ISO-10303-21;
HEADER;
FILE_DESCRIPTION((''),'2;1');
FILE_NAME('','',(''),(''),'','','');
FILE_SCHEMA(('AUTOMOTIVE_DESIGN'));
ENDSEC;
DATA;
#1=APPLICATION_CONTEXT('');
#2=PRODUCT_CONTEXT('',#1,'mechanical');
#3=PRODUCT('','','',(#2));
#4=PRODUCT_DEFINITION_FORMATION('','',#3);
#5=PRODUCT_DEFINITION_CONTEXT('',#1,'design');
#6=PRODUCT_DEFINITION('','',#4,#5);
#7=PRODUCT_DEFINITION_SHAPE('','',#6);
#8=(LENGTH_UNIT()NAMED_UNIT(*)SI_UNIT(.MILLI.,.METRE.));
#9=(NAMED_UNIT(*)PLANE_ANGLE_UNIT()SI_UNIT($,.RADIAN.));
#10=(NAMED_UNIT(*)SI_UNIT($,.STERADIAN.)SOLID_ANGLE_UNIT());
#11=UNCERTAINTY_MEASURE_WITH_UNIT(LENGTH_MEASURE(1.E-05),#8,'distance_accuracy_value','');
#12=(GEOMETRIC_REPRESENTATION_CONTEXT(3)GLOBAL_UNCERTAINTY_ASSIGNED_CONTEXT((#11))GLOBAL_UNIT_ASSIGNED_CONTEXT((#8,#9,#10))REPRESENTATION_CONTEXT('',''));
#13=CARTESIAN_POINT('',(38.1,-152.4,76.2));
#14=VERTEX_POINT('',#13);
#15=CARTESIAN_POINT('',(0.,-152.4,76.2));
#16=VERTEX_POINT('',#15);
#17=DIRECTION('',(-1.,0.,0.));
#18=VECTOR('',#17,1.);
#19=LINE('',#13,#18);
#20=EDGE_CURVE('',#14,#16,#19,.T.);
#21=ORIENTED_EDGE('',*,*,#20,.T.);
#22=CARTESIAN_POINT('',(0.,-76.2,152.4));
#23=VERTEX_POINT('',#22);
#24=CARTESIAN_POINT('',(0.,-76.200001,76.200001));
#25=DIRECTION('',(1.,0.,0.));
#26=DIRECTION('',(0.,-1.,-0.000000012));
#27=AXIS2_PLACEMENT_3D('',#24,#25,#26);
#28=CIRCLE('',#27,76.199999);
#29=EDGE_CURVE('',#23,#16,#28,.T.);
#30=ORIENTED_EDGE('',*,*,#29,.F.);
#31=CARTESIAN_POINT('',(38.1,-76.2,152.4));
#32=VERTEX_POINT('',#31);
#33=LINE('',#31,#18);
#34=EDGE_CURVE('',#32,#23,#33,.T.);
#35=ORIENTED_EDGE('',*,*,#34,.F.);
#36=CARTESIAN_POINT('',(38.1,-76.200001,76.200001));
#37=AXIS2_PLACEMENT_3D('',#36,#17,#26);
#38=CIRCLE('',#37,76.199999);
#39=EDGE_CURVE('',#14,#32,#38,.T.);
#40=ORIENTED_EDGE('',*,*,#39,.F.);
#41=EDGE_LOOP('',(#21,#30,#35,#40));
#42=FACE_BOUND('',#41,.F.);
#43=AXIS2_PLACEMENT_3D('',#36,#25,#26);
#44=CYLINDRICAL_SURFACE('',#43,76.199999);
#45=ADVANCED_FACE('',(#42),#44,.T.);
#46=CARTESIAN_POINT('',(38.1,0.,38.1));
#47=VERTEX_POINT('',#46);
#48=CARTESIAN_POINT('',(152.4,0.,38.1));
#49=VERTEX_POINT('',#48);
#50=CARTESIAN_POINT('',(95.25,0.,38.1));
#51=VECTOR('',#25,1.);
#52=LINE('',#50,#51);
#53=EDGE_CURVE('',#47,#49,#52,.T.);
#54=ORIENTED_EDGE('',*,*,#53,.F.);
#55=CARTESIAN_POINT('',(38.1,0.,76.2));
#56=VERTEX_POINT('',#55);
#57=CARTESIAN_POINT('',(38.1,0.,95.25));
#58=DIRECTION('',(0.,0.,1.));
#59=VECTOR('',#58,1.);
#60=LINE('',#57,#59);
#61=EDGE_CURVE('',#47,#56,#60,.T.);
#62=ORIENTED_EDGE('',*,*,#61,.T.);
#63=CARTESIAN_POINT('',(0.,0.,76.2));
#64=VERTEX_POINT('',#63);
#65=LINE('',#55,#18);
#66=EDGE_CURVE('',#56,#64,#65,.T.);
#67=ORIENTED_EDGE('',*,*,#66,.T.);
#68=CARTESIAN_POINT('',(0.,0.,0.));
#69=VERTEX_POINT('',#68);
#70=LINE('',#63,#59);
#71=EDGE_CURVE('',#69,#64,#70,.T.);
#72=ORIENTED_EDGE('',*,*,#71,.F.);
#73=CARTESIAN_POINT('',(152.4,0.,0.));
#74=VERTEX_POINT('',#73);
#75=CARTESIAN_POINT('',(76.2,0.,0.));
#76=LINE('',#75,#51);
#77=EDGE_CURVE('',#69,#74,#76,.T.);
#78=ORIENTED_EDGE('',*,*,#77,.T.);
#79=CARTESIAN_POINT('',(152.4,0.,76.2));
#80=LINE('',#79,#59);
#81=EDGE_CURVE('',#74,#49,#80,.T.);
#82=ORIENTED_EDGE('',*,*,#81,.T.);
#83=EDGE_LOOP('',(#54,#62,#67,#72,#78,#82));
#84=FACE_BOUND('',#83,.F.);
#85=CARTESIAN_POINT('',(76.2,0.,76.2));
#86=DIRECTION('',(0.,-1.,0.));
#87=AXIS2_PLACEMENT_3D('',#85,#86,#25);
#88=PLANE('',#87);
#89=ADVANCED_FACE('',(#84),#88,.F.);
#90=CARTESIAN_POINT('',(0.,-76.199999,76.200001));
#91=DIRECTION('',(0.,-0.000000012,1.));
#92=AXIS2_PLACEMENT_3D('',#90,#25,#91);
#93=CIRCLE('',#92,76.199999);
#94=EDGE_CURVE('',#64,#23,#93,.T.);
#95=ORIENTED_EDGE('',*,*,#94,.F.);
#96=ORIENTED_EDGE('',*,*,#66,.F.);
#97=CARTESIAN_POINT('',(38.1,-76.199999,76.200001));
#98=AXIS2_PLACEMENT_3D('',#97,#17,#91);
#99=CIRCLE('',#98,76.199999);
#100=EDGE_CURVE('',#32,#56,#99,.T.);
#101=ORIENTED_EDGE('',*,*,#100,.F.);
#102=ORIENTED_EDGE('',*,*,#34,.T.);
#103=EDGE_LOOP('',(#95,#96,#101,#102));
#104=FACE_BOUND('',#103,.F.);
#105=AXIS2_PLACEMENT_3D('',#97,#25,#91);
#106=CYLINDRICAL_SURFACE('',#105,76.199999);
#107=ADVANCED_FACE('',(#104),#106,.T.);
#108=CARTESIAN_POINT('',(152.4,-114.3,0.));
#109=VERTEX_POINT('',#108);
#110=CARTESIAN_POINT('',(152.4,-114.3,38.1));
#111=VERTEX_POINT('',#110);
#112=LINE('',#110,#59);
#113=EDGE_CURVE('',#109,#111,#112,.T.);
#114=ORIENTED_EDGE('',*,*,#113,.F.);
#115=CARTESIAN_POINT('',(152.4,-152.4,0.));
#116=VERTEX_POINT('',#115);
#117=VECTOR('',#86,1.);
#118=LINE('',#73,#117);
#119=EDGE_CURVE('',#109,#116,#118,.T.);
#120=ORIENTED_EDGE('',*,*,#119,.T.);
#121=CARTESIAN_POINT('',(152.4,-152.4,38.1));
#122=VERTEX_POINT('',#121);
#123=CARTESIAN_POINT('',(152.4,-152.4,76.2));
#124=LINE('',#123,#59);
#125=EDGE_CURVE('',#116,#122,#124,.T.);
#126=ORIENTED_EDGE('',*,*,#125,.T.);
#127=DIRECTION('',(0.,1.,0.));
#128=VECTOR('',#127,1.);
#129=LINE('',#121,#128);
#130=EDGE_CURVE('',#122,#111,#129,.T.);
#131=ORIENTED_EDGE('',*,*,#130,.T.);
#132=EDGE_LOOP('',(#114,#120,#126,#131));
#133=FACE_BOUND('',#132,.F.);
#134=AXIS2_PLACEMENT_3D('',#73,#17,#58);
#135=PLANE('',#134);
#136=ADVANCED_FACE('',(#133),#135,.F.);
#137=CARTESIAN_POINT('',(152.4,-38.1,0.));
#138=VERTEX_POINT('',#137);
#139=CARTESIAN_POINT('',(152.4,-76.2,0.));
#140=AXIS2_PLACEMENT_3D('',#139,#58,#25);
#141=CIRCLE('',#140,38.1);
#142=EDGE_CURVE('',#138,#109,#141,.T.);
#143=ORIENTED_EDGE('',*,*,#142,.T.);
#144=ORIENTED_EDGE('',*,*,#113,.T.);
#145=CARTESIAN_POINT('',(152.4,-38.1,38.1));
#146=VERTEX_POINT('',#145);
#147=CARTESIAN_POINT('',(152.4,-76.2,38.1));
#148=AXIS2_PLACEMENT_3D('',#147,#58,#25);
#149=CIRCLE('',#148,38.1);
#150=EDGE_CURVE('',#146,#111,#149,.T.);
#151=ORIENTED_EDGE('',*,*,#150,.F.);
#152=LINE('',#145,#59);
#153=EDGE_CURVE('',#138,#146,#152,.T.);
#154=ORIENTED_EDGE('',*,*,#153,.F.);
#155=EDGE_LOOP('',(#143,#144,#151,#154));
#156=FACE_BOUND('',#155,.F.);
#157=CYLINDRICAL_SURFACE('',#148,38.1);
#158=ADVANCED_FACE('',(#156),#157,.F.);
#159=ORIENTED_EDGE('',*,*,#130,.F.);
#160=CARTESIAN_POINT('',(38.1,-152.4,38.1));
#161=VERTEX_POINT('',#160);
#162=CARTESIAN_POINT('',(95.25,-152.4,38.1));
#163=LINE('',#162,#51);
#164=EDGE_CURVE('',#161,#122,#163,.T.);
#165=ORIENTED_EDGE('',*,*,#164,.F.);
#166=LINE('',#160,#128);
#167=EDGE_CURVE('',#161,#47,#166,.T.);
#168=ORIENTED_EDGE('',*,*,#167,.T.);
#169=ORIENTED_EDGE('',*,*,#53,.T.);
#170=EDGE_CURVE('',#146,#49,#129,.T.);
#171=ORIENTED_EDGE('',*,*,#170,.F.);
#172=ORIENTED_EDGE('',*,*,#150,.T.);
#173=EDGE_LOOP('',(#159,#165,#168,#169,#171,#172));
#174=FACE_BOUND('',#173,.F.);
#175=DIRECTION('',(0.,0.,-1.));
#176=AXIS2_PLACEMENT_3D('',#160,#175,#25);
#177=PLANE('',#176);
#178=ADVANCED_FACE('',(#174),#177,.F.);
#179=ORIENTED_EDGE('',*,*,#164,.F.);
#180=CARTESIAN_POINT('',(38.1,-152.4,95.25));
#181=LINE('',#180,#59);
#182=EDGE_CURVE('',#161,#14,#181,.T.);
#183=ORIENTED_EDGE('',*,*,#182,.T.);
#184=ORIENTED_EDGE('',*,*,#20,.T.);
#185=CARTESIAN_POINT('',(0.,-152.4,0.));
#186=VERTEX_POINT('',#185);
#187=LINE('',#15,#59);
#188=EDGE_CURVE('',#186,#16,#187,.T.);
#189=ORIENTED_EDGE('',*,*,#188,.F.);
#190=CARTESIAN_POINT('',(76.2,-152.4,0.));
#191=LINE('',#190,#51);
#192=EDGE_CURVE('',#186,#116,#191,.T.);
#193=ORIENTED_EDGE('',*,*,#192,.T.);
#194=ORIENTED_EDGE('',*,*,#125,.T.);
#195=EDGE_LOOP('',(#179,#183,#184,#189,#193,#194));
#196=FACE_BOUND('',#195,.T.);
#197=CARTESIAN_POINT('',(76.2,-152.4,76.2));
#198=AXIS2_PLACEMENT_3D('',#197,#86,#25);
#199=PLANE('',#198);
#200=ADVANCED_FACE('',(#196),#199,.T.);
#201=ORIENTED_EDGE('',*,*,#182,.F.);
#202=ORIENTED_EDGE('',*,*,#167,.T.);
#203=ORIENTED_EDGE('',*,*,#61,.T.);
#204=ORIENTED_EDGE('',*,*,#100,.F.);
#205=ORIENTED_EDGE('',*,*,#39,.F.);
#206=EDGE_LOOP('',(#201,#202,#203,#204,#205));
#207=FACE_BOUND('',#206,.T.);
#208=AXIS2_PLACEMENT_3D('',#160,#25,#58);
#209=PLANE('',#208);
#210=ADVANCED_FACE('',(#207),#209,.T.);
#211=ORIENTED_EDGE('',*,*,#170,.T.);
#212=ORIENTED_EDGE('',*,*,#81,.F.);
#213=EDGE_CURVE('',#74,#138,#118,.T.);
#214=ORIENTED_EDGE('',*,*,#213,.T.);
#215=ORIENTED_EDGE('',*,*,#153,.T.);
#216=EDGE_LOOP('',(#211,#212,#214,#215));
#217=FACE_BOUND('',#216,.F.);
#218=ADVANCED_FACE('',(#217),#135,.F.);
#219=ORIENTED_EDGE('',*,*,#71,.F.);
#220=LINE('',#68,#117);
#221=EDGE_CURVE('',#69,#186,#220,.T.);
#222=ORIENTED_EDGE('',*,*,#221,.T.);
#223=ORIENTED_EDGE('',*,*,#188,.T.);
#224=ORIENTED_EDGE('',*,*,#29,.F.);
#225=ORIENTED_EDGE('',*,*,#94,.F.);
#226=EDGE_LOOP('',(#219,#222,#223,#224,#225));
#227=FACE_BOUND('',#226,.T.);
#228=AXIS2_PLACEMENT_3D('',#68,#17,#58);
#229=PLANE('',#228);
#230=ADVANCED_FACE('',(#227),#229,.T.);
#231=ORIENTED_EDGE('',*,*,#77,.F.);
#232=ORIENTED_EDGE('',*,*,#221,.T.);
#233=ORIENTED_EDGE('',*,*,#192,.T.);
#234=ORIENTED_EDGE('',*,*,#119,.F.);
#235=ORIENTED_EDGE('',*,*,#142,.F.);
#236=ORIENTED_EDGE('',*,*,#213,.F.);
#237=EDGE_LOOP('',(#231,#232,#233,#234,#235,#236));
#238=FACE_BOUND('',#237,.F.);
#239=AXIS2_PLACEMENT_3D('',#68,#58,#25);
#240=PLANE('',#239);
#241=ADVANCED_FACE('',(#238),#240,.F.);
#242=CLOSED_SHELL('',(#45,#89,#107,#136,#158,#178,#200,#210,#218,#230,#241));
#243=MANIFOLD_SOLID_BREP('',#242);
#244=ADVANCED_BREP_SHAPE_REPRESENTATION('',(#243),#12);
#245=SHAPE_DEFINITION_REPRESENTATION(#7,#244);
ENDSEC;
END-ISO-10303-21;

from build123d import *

# Parameters (mm, degrees)
F0_W     = 152.4
F0_H     = 152.4
F1_DEPTH = 152.4
F2_W     = 114.3
F2_H     = 114.3
F3_DEPTH = 152.4
F4_R     = 38.1
F5_DEPTH = 76.2
F7_DEPTH = 304.8


with BuildPart() as f1:
    # F0 (on Front) → F1 (new body)
    with BuildSketch(Plane.XZ):
        with Locations((76.2, 76.2)):
            Rectangle(F0_W, F0_H)
    extrude(amount=F1_DEPTH)

    # F2 (on face) → F3 (cut)
    with BuildSketch(Plane.XZ.offset(152.4)):
        with Locations((95.25, 95.25)):
            Rectangle(F2_W, F2_H)
    extrude(amount=-F3_DEPTH, mode=Mode.SUBTRACT)

    # F4 (on face) → F5 (cut)
    with BuildSketch(Plane.XY.offset(38.1)):
        with Locations((152.4, -76.2)):
            Circle(F4_R)
    extrude(amount=-F5_DEPTH, mode=Mode.SUBTRACT)

    # F6 (on face) → F7 (cut)
    with BuildSketch(Plane.YZ.offset(38.1)):
        with BuildLine():
            Line((-76.2, 152.4), (-152.4, 152.4))
            Line((-152.4, 152.4), (-152.4, 76.2))
            ThreePointArc((-152.4, 76.2), (-130.081537, 130.081537), (-76.2, 152.4))
        make_face()
        with BuildLine():
            Line((0, 152.4), (-76.2, 152.4))
            ThreePointArc((-76.2, 152.4), (-22.318463, 130.081537), (0, 76.2))
            Line((0, 76.2), (0, 152.4))
        make_face()
    extrude(amount=-F7_DEPTH, mode=Mode.SUBTRACT)


solid = f1.part
